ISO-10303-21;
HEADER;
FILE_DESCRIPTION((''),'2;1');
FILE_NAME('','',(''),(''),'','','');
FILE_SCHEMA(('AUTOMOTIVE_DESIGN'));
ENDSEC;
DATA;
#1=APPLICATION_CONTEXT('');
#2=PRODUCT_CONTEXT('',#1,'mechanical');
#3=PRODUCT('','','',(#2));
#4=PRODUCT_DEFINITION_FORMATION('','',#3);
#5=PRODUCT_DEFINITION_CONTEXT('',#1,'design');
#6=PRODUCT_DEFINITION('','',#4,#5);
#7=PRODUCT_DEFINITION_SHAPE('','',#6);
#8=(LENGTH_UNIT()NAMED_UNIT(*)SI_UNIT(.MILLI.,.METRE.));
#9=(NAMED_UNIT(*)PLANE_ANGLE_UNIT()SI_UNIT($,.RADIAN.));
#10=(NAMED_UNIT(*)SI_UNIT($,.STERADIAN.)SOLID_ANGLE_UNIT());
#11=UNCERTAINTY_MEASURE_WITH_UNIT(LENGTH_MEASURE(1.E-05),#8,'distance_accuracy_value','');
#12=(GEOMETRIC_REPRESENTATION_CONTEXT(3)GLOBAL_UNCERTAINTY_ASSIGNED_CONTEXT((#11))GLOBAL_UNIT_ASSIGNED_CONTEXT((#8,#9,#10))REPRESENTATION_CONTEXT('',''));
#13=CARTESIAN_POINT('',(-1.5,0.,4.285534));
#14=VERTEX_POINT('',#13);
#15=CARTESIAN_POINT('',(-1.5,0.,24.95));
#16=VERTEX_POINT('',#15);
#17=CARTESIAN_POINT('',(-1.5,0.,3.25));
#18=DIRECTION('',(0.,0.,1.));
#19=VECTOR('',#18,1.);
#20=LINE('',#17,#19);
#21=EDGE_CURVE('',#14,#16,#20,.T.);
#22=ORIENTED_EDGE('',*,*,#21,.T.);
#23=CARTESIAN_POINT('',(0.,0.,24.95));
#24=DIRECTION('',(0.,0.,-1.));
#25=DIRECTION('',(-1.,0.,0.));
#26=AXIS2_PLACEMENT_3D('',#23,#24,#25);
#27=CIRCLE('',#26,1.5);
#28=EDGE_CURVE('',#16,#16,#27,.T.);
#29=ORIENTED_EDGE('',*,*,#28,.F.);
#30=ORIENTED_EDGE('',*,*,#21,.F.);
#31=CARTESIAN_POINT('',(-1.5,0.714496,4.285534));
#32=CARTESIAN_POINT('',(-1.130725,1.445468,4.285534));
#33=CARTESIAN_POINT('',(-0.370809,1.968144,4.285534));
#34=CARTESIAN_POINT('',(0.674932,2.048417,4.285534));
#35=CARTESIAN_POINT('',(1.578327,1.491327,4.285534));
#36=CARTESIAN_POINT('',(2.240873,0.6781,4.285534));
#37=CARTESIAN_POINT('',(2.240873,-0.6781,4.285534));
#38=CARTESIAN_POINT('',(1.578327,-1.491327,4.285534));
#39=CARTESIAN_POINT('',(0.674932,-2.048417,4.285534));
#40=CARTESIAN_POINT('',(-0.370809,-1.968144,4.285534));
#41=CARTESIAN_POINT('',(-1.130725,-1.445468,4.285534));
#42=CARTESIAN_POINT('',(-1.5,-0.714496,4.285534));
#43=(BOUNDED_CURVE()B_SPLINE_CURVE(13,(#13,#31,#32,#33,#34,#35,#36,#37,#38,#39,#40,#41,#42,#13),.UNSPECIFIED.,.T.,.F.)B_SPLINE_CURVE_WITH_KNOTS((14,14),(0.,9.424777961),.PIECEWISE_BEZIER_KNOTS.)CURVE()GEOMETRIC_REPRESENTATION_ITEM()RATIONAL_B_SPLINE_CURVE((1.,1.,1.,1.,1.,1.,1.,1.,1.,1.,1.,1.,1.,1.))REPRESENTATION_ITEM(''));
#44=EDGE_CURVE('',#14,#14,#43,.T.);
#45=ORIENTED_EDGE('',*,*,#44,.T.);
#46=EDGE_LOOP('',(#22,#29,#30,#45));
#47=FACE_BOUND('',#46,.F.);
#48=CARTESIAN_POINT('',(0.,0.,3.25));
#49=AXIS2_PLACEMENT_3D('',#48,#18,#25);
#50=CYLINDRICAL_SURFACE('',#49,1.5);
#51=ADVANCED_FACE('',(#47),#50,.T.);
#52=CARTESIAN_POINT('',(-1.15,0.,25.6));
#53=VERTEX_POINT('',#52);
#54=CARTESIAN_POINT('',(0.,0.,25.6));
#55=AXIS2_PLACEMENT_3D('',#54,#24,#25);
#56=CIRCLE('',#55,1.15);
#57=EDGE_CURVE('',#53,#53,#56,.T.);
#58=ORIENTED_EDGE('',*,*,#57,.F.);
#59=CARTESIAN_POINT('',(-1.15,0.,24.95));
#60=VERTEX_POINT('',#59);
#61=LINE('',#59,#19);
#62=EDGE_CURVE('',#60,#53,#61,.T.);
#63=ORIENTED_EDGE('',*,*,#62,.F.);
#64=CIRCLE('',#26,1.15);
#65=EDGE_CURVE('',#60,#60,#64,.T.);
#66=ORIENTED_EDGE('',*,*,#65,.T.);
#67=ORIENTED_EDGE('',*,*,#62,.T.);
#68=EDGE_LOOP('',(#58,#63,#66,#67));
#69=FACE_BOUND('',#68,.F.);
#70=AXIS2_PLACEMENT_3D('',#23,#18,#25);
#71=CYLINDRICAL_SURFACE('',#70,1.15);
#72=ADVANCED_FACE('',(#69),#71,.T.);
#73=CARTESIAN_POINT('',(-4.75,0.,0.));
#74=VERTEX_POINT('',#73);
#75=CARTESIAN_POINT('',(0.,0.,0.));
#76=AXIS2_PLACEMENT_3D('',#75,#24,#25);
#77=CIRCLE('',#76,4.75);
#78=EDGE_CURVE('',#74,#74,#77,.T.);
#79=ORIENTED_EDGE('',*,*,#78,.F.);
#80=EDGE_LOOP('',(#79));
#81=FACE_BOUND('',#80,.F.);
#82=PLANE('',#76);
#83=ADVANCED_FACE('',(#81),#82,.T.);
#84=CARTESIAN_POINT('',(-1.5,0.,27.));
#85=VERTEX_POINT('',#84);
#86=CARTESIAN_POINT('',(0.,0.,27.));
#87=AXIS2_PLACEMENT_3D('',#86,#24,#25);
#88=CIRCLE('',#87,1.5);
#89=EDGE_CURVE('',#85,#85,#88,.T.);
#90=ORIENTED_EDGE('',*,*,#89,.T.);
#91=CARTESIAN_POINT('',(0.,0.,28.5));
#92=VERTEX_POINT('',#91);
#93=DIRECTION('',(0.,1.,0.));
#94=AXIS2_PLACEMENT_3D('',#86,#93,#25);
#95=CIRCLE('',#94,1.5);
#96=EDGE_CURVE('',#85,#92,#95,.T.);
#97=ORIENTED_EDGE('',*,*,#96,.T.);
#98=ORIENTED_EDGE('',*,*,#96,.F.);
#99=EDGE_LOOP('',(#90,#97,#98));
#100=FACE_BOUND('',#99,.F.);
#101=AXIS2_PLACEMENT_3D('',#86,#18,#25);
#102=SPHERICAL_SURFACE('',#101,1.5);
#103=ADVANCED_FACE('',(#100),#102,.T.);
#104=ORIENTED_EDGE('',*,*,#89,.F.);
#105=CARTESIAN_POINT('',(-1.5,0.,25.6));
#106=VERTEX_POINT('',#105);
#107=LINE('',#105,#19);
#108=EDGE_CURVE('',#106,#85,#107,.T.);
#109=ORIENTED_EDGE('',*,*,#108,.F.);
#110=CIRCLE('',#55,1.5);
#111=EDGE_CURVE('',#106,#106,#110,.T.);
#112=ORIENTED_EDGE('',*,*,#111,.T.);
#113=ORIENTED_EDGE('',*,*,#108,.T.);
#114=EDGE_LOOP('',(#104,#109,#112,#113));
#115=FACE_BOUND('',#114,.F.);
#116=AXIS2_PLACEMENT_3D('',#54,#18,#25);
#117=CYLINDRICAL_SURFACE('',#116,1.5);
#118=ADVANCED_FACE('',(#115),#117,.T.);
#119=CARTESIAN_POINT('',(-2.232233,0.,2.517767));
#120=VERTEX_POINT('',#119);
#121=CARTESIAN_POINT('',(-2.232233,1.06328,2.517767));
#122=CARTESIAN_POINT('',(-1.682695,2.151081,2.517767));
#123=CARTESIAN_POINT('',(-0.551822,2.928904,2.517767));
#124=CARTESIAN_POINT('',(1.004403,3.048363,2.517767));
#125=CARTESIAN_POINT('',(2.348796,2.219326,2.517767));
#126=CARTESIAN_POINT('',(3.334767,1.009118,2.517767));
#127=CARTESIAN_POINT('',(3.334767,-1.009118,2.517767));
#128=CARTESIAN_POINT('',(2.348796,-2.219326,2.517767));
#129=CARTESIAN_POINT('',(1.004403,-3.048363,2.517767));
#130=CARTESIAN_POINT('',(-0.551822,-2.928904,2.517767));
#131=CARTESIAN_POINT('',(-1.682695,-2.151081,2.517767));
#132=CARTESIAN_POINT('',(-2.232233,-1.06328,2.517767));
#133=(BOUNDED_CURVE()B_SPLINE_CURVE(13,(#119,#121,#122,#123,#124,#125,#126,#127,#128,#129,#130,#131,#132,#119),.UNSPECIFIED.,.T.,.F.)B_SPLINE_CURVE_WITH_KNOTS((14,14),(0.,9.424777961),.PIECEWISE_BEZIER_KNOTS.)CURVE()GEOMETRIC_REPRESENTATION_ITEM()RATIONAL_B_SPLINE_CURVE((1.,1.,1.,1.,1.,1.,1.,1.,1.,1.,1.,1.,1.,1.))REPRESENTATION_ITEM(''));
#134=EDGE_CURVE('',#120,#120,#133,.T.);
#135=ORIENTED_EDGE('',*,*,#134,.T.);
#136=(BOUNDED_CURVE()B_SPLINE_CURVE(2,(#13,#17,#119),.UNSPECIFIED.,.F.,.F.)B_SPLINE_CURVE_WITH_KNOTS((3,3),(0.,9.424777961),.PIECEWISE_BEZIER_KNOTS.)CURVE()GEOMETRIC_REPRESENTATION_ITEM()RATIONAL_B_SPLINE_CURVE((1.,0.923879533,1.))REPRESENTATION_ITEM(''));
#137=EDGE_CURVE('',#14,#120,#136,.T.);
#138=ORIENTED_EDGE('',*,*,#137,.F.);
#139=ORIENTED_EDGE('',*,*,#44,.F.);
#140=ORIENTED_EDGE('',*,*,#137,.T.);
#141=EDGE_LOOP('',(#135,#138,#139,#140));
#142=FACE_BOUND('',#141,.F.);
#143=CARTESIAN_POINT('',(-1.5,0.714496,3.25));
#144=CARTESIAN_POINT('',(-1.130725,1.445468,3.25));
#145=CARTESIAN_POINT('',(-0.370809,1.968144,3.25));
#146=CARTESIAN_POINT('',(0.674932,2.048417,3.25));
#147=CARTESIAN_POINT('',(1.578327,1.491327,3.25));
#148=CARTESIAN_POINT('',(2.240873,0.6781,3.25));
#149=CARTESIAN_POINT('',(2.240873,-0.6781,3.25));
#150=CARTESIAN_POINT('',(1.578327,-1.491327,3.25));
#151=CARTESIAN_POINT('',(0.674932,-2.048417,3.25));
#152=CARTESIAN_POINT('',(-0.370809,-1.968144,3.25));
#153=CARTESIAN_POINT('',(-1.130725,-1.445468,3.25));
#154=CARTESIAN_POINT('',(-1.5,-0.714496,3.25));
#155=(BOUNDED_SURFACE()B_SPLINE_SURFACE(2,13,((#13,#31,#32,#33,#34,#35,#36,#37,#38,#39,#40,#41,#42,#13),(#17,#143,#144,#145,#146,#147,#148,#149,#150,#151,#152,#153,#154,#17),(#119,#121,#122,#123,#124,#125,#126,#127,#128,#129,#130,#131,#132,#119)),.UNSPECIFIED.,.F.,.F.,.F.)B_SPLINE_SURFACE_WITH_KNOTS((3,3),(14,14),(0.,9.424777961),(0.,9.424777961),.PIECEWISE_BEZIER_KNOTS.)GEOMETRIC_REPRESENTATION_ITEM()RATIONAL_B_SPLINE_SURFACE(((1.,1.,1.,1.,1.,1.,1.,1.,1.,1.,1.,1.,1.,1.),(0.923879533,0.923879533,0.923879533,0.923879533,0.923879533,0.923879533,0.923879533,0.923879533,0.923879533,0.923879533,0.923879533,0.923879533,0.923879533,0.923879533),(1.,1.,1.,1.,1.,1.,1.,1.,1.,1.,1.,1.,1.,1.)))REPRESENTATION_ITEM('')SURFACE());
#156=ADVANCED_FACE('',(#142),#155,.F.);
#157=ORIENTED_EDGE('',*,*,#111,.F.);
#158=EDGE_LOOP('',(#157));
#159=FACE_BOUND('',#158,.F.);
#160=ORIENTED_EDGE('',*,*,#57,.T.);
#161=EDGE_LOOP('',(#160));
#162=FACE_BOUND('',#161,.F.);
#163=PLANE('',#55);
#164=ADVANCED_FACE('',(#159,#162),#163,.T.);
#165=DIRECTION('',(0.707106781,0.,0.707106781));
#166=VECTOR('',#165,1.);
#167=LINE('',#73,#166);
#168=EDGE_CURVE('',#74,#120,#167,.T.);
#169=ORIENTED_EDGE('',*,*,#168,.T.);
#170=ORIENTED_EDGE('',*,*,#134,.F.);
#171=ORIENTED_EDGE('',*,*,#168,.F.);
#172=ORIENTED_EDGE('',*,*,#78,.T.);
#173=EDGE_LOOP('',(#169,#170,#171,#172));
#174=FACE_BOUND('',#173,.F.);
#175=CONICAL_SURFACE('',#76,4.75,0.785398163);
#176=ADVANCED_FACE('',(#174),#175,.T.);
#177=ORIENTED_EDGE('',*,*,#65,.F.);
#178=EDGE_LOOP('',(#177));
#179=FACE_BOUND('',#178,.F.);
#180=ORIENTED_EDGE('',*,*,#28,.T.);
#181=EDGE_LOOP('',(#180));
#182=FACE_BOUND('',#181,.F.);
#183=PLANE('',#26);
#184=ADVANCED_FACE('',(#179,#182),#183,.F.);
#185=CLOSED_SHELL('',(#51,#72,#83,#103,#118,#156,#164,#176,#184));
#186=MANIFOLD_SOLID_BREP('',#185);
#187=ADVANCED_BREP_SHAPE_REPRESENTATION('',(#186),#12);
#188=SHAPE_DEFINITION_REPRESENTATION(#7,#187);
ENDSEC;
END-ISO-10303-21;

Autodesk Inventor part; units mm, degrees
ref_plane "YZ Plane" through (0, 0, 0) normal (1, 0, 0) x (0, 1, 0)
ref_plane "XZ Plane" through (0, 0, 0) normal (0, 1, 0) x (-1, 0, 0)
ref_plane "XY Plane" through (0, 0, 0) normal (0, 0, 1) x (1, 0, 0)
sketch "Sketch1" plane through (0, 0, 0) normal (0, 1, 0) x (-1, 0, 0)
  line L0 (0, 0) -> (4.75, 0)
  line L1 (4.75, 0) -> (1.5, 3.25)
  line L2 (1.5, 3.25) -> (1.5, 24.95)
  line L3 (1.5, 24.95) -> (1.15, 24.95)
  line L4 (1.15, 24.95) -> (1.15, 25.6)
  line L5 (1.15, 25.6) -> (1.5, 25.6)
  line L6 (1.5, 25.6) -> (1.5, 27)
  arc A0 (1.5, 27) -> (0, 28.5) centre (0, 27) ccw
  line L7 (0, 28.5) -> (0, 0)
  point P0 (0, 14.25)
  dimension "d4" = 45
  dimension "d5" = 9.5
  dimension "d6" = 3
  dimension "d7" = 0.65
  dimension "d8" = 2.3
  dimension "d9" = 2.9
  dimension "d10" = 28.5
revolve "Revolution1" add sketch "Sketch1" angle 360 about axis through (0, 0, 28.5) along (0, 0, -1)
fillet "Fillet1" radius 2.5 1 edges at (1.5, 0, 3.25)
properties part number "Ventil" material "Iron, Gray"
